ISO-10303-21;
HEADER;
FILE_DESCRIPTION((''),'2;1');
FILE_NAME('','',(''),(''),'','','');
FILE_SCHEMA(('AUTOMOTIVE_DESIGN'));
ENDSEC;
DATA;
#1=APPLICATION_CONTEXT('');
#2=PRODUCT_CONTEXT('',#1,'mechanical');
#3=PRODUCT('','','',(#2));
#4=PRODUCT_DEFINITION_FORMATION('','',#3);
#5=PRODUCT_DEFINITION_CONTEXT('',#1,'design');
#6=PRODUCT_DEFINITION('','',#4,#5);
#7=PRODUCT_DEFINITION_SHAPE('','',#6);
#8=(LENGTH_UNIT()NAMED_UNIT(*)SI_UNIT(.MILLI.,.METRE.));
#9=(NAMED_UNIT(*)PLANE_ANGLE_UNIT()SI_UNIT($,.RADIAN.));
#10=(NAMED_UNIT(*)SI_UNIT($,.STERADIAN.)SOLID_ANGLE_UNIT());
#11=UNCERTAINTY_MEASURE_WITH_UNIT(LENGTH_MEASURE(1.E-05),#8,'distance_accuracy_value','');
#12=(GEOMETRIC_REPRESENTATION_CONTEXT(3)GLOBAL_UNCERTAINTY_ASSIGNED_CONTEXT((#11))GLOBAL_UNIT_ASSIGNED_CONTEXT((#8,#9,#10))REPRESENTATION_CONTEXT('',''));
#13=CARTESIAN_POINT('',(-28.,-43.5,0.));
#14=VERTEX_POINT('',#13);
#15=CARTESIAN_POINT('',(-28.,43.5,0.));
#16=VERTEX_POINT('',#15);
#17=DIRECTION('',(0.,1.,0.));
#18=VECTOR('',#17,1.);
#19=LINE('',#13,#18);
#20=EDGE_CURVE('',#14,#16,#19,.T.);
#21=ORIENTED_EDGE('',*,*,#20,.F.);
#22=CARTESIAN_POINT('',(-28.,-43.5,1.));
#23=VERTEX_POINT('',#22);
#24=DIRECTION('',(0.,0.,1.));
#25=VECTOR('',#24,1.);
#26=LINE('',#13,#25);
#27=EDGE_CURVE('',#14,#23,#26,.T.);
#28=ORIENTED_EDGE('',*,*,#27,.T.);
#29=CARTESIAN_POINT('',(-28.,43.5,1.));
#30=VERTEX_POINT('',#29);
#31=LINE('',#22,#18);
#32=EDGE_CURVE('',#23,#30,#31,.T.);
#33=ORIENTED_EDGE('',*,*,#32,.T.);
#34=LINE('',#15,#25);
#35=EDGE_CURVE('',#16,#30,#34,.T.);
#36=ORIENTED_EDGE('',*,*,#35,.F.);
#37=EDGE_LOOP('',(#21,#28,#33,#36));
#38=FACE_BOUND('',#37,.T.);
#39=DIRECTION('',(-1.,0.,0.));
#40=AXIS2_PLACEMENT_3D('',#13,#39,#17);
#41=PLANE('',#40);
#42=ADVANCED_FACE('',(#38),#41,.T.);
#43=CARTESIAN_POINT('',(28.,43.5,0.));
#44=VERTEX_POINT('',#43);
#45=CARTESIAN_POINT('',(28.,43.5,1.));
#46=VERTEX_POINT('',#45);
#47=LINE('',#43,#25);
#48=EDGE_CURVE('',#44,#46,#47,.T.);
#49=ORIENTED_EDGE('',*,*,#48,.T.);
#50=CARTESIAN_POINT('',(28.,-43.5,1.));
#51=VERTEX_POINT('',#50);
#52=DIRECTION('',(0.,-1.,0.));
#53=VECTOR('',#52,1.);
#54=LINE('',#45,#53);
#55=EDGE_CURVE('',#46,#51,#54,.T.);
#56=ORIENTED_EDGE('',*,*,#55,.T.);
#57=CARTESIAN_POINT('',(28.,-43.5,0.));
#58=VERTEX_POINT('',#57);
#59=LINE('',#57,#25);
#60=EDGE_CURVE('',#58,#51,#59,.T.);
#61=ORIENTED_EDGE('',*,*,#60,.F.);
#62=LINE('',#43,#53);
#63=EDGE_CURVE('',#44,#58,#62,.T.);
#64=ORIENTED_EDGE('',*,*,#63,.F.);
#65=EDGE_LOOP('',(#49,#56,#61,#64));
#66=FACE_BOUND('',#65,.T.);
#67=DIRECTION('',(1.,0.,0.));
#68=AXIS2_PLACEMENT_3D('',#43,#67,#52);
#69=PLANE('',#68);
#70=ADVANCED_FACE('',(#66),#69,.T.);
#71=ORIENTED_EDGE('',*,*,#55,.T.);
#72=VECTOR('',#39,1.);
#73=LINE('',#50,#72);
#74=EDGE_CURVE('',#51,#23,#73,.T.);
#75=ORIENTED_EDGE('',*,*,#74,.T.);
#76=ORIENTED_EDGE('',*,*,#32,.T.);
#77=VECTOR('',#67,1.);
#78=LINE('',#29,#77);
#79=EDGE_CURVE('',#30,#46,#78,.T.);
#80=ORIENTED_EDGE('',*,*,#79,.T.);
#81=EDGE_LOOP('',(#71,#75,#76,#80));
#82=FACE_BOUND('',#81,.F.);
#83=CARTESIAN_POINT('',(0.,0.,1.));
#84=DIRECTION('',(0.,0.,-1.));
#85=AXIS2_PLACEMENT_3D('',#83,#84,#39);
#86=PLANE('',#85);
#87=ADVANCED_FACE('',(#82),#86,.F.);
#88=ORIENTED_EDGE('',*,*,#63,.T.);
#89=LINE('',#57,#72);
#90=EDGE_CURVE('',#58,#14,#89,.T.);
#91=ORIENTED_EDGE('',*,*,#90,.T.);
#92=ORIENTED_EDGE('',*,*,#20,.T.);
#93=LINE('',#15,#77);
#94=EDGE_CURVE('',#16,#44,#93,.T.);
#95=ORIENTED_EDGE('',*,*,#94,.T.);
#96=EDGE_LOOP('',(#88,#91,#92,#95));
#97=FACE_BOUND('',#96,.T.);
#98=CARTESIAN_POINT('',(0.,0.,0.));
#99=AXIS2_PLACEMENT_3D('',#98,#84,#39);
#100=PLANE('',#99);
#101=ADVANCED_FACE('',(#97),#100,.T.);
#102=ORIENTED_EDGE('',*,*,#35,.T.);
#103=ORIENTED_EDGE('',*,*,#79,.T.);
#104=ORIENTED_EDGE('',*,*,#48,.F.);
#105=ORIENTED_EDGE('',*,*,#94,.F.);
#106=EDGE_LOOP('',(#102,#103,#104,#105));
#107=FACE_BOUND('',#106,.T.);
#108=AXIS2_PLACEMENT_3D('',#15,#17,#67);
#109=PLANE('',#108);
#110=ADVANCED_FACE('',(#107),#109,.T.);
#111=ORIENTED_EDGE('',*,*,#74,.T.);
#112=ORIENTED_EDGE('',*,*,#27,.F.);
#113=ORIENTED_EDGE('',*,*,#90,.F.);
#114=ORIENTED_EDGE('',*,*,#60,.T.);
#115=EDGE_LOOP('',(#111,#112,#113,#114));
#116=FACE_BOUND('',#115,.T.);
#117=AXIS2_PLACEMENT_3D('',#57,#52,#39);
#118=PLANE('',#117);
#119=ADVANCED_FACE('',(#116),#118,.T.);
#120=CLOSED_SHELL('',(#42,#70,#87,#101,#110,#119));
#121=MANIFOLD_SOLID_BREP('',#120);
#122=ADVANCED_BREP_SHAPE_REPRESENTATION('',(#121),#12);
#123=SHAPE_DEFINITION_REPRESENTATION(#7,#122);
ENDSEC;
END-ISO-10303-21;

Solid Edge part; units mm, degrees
sketch "Sketch1" plane through (0, 0, 0) normal (0, 0, 1) x (1, 0, 0)
  line L0 (-28, 43.5) -> (28, 43.5)
  line L1 (28, 43.5) -> (28, -43.5)
  line L2 (28, -43.5) -> (-28, -43.5)
  line L3 (-28, -43.5) -> (-28, 43.5)
  dimension "D1" = 56
  dimension "D2" = 87
extrude "Protrusion1" add sketch "Sketch1" along normal blind 1
properties material "ABS Plastic, high impact"
